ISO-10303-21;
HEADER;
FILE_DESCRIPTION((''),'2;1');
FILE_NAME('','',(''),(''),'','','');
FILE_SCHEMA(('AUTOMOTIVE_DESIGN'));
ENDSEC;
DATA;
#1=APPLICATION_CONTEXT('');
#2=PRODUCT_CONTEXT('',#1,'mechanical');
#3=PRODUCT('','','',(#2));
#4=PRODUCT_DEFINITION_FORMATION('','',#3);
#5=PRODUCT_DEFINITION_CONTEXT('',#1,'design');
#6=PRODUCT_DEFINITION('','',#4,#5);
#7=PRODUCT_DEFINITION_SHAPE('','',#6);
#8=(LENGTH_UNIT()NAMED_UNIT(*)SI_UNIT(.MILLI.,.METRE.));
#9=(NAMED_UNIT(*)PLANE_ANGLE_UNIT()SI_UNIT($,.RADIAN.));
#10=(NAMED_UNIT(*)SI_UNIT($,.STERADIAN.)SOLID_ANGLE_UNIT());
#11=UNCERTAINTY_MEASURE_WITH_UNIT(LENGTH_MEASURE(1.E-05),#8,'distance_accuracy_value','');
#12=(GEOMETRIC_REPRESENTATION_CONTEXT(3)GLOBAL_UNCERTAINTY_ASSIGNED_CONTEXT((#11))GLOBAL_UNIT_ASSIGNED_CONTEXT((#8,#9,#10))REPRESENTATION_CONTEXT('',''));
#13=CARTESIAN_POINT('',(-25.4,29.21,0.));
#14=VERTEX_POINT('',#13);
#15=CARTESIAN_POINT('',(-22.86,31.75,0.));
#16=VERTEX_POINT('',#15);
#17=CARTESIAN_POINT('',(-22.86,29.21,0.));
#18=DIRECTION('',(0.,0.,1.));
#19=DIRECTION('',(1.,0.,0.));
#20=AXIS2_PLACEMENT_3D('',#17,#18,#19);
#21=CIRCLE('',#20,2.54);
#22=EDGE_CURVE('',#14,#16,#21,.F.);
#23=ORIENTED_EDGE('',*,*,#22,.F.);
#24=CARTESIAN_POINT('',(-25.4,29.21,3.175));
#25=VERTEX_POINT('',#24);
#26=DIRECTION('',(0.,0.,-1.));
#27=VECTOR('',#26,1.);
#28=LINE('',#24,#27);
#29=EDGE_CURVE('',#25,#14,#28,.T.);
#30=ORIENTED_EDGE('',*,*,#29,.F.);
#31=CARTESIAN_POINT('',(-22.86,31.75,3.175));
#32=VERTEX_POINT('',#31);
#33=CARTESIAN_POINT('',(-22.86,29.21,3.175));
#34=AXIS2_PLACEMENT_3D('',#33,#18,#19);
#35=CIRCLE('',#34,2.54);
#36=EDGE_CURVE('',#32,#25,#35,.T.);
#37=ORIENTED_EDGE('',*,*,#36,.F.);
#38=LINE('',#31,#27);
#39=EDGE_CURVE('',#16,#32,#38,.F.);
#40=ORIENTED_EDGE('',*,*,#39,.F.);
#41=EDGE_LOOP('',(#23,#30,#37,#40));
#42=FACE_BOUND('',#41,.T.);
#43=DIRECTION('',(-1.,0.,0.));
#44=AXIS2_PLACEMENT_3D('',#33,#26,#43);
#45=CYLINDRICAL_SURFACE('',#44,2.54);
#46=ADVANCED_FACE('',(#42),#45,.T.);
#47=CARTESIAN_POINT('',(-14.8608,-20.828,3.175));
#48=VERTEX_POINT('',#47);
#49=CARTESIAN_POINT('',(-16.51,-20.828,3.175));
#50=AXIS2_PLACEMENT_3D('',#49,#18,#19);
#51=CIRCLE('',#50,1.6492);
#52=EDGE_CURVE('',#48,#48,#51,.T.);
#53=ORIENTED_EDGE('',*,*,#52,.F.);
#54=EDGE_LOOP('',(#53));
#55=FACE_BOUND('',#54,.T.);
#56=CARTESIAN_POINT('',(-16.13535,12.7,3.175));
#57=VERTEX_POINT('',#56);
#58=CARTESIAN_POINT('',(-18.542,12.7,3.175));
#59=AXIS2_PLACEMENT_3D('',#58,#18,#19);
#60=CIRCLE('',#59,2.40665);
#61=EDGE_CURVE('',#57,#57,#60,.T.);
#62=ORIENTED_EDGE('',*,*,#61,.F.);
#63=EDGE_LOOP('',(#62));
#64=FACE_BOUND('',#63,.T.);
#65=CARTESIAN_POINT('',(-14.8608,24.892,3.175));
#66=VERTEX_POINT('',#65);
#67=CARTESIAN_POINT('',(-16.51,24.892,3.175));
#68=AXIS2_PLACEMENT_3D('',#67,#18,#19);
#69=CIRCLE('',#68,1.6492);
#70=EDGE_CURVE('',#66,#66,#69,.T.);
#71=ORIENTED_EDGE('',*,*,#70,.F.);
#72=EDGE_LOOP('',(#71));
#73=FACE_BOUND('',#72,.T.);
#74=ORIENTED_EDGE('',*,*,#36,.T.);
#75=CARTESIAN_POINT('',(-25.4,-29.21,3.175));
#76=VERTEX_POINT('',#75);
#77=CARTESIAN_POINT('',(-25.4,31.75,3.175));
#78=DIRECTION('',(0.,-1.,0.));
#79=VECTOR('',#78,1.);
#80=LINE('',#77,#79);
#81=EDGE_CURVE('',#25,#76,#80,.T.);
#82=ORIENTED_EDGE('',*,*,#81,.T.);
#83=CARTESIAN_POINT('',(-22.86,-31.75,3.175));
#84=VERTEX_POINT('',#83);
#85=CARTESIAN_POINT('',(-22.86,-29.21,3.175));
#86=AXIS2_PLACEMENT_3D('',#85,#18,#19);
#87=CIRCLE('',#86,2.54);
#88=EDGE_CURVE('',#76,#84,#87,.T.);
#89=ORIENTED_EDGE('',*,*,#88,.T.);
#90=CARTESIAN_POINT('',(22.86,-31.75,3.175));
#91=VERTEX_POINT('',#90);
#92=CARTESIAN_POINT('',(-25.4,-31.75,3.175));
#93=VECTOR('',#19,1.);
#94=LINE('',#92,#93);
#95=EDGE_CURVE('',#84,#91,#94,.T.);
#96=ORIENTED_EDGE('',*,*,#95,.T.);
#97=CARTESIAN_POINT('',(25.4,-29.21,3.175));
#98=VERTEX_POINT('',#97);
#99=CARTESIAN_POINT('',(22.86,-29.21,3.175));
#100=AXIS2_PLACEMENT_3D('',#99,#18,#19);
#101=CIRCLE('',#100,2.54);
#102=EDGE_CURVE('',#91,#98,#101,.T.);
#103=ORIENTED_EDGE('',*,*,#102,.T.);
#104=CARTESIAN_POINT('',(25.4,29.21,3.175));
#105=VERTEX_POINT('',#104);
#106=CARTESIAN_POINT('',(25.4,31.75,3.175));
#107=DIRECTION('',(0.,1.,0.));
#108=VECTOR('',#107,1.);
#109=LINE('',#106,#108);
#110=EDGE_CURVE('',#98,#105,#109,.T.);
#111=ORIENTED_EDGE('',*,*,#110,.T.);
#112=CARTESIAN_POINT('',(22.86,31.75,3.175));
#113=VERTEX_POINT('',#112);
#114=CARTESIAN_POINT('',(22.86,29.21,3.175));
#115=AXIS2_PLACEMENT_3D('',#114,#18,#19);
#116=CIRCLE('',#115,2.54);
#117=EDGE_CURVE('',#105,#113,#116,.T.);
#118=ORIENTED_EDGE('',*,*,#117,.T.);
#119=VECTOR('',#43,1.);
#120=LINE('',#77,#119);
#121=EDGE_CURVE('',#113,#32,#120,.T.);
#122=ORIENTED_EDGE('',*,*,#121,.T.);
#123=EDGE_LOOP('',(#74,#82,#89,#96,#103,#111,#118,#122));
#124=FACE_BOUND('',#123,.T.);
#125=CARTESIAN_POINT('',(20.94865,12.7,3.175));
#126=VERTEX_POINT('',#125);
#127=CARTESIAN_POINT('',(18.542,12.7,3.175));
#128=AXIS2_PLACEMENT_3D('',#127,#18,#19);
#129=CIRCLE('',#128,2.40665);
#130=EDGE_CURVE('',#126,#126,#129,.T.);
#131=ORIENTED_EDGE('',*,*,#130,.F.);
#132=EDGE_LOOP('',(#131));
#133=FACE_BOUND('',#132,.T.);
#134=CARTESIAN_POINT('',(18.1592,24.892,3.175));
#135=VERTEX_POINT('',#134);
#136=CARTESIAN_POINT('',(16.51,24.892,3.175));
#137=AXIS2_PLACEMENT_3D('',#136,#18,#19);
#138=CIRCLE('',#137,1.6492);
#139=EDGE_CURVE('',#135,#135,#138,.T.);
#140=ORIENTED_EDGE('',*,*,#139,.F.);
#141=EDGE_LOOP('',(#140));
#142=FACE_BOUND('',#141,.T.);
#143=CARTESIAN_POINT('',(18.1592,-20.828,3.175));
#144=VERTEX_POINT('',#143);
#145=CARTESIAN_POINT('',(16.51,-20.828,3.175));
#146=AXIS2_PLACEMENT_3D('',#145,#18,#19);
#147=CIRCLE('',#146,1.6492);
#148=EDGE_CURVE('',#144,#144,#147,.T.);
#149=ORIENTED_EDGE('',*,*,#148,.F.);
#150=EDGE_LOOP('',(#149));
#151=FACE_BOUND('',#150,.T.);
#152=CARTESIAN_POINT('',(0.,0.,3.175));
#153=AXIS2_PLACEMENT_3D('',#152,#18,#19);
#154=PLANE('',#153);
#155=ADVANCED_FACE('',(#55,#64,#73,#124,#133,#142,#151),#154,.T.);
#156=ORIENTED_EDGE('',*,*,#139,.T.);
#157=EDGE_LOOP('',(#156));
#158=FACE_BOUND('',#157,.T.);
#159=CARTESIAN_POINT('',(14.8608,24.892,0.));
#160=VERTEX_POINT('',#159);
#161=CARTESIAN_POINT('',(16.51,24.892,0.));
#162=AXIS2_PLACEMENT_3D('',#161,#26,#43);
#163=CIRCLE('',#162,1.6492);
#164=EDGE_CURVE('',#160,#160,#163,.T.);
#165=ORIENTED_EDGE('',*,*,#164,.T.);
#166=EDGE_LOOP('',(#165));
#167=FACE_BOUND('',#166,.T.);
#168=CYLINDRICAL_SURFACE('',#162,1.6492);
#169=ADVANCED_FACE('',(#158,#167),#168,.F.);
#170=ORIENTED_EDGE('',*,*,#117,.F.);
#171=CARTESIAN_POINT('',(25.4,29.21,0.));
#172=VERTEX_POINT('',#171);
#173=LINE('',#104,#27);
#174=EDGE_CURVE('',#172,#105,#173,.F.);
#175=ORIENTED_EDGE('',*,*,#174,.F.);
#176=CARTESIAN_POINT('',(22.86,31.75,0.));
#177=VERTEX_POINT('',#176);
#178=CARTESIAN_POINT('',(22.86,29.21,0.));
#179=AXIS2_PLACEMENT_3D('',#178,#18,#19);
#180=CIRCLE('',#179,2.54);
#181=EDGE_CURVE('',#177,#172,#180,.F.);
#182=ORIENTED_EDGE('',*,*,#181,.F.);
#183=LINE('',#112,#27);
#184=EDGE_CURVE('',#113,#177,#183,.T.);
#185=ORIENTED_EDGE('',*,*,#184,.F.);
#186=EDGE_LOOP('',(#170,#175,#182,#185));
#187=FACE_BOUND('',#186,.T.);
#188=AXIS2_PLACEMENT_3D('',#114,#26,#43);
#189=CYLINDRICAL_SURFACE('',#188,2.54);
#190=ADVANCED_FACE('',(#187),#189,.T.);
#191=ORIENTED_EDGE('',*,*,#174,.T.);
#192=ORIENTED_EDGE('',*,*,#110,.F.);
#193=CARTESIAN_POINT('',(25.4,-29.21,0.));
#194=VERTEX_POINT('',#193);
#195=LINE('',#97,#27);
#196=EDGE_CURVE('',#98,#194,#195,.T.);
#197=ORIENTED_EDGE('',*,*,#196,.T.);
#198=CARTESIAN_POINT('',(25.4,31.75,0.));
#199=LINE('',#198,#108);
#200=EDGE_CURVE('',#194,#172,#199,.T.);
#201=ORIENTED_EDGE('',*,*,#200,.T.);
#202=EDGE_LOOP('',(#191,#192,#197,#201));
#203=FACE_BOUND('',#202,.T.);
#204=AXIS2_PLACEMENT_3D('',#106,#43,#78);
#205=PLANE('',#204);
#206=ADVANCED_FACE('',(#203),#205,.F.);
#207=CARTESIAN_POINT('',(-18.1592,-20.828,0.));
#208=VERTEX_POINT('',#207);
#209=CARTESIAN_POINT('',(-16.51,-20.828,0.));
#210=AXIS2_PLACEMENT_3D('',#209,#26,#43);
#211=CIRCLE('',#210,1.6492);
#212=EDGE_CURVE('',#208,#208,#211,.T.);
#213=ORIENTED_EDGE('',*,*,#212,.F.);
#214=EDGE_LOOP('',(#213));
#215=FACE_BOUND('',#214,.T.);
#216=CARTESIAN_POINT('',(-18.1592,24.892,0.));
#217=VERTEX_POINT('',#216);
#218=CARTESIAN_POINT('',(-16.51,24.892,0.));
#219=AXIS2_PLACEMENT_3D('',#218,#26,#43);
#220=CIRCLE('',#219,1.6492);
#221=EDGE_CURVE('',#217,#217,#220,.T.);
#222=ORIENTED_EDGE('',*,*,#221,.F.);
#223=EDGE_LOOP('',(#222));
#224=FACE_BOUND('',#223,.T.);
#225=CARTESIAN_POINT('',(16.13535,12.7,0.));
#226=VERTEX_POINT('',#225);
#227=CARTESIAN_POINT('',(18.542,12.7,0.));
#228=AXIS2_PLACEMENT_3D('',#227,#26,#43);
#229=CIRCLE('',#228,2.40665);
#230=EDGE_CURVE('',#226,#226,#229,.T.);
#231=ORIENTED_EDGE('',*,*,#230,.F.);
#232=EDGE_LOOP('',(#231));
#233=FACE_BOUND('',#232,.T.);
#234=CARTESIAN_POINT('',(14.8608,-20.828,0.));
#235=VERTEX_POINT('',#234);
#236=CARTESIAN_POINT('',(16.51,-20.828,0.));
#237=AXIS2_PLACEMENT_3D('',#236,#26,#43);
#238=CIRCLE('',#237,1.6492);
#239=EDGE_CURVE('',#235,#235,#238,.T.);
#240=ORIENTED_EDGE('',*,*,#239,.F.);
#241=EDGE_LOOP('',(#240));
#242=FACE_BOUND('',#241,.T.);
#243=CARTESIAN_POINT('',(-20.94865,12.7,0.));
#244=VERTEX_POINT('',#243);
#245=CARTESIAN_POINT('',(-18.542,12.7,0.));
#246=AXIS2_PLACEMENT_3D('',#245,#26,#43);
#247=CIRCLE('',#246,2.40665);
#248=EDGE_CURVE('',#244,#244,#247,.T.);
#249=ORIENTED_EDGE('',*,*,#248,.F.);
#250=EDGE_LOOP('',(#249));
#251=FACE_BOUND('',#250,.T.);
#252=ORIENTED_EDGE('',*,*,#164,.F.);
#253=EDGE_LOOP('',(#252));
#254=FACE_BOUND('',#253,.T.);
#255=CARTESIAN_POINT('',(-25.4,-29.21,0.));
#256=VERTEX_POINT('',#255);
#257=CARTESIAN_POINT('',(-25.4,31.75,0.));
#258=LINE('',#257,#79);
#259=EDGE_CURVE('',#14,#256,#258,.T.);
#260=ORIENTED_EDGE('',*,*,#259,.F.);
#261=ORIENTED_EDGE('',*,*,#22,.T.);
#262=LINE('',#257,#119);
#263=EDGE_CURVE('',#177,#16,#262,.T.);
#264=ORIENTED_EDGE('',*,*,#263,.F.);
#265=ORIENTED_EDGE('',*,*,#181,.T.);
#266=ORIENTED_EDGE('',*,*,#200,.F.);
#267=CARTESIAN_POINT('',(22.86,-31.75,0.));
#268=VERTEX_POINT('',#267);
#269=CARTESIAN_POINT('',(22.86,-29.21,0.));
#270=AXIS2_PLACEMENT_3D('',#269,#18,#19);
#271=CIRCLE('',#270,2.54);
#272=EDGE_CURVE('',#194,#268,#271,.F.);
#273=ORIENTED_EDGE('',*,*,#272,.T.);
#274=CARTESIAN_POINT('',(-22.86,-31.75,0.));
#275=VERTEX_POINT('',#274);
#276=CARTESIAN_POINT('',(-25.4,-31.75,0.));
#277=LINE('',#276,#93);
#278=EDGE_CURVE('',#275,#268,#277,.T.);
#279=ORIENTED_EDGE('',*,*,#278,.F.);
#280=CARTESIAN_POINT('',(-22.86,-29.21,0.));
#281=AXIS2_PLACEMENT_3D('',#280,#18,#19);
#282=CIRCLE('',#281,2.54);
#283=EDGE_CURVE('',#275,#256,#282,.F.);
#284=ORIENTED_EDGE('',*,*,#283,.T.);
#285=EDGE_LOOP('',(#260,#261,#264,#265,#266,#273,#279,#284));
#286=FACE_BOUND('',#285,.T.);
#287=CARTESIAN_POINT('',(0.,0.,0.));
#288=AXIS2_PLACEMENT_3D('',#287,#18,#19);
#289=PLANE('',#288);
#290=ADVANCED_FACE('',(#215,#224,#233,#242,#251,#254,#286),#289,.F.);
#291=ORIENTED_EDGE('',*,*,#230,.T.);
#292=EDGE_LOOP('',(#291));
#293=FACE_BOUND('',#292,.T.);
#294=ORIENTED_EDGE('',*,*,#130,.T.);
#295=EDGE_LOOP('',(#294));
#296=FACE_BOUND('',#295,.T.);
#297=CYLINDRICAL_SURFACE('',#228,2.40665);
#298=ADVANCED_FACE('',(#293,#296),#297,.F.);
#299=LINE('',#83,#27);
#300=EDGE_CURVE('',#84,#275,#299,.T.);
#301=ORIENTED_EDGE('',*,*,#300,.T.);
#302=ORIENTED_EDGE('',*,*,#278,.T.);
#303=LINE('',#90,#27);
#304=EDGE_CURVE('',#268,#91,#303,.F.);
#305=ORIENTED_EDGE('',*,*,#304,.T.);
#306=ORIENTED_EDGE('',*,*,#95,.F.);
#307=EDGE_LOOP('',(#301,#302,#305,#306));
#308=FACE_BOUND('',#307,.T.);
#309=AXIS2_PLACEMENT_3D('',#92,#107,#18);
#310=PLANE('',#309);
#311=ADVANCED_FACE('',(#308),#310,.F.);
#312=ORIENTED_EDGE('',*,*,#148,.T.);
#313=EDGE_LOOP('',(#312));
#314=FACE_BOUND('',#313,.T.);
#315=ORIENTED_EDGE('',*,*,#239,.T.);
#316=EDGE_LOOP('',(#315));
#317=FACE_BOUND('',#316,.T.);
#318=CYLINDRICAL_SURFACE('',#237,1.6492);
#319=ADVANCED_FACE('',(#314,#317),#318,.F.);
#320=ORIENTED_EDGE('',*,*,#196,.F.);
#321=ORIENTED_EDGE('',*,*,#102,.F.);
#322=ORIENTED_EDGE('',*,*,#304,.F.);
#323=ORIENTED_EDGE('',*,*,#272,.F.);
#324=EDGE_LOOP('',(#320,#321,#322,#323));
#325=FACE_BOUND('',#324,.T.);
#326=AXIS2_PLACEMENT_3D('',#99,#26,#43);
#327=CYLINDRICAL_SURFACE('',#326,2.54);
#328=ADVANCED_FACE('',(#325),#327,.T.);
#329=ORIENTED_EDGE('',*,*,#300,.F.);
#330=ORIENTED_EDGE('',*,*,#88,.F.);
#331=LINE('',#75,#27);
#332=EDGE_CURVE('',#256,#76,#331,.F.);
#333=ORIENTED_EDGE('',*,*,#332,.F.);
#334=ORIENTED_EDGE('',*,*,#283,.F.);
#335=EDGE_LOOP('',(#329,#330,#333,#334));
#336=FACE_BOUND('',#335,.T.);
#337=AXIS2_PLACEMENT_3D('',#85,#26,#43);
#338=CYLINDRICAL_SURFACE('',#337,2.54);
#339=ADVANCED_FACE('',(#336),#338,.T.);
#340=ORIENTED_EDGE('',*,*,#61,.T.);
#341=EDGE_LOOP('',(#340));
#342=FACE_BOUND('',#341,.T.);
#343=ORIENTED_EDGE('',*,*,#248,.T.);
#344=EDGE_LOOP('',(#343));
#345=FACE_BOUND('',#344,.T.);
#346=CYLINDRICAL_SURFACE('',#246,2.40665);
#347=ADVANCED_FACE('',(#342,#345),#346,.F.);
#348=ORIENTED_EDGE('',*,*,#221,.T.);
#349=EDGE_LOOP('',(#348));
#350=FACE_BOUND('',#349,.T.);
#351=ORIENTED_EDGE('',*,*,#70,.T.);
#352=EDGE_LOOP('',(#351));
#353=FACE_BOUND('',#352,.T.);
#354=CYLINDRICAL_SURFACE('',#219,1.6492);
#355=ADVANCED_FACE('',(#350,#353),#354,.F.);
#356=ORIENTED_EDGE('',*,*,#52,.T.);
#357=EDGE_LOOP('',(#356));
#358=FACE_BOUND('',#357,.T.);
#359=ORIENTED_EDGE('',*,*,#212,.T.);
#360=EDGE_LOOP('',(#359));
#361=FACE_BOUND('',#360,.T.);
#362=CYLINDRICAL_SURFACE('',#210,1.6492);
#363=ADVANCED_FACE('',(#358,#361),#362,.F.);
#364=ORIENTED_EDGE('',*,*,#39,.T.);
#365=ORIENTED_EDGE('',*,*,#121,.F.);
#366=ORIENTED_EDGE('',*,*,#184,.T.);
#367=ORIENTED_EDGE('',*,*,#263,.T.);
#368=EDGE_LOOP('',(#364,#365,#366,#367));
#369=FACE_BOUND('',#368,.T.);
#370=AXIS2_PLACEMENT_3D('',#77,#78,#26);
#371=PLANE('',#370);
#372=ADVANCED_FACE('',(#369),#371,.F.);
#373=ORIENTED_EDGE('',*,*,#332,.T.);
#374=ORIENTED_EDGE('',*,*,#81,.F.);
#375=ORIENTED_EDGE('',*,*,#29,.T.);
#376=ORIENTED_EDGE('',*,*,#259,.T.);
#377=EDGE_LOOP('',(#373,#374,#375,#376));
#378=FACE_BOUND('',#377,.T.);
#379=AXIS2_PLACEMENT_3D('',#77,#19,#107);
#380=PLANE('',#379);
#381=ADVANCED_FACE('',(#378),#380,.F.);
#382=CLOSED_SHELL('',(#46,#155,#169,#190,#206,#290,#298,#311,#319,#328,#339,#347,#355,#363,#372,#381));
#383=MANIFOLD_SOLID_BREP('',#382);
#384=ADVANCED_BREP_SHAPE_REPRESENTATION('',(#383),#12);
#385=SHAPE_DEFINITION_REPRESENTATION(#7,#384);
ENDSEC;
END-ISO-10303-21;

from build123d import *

# Parameters (mm, degrees)
SKETCH1_W                        = 50.8
SKETCH1_H                        = 63.5
BOSS_EXTRUDE1_DEPTH              = 3.175
F_10_0_1935_DIAMETER_HOLE1_D     = 4.8133
F_10_0_1935_DIAMETER_HOLE1_DEPTH = 3.175
M3_CLEARANCE_HOLE1_D             = 3.2984
M3_CLEARANCE_HOLE1_DEPTH         = 3.175
FILLET1_R                        = 2.54


with BuildPart() as part:
    # Sketch1 → Boss-Extrude1 (new body)
    with BuildSketch(Plane.XY):
        Rectangle(SKETCH1_W, SKETCH1_H)
    extrude(amount=BOSS_EXTRUDE1_DEPTH)

    # #10 (0.1935) Diameter Hole1
    with Locations(Plane(origin=(0, 0, 0), x_dir=(-1, 0, 0), z_dir=(0, 0, -1))):
        with Locations((-18.542, 12.7), (18.542, 12.7)):
            Hole(F_10_0_1935_DIAMETER_HOLE1_D / 2, depth=F_10_0_1935_DIAMETER_HOLE1_DEPTH)

    # M3 Clearance Hole1
    with Locations(Plane(origin=(0, 0, 0), x_dir=(-1, 0, 0), z_dir=(0, 0, -1))):
        with Locations((-16.51, 24.892), (16.51, 24.892), (-16.51, -20.828), (16.51, -20.828)):
            Hole(M3_CLEARANCE_HOLE1_D / 2, depth=M3_CLEARANCE_HOLE1_DEPTH)

    # Fillet1
    fillet1_edges = [part.edges().sort_by_distance(p)[0] for p in [
        (25.4, -31.75, 1.5875),
        (-25.4, -31.75, 1.5875),
        (-25.4, 31.75, 1.5875),
        (25.4, 31.75, 1.5875),
    ]]
    fillet(fillet1_edges, radius=FILLET1_R)


solid = part.part
